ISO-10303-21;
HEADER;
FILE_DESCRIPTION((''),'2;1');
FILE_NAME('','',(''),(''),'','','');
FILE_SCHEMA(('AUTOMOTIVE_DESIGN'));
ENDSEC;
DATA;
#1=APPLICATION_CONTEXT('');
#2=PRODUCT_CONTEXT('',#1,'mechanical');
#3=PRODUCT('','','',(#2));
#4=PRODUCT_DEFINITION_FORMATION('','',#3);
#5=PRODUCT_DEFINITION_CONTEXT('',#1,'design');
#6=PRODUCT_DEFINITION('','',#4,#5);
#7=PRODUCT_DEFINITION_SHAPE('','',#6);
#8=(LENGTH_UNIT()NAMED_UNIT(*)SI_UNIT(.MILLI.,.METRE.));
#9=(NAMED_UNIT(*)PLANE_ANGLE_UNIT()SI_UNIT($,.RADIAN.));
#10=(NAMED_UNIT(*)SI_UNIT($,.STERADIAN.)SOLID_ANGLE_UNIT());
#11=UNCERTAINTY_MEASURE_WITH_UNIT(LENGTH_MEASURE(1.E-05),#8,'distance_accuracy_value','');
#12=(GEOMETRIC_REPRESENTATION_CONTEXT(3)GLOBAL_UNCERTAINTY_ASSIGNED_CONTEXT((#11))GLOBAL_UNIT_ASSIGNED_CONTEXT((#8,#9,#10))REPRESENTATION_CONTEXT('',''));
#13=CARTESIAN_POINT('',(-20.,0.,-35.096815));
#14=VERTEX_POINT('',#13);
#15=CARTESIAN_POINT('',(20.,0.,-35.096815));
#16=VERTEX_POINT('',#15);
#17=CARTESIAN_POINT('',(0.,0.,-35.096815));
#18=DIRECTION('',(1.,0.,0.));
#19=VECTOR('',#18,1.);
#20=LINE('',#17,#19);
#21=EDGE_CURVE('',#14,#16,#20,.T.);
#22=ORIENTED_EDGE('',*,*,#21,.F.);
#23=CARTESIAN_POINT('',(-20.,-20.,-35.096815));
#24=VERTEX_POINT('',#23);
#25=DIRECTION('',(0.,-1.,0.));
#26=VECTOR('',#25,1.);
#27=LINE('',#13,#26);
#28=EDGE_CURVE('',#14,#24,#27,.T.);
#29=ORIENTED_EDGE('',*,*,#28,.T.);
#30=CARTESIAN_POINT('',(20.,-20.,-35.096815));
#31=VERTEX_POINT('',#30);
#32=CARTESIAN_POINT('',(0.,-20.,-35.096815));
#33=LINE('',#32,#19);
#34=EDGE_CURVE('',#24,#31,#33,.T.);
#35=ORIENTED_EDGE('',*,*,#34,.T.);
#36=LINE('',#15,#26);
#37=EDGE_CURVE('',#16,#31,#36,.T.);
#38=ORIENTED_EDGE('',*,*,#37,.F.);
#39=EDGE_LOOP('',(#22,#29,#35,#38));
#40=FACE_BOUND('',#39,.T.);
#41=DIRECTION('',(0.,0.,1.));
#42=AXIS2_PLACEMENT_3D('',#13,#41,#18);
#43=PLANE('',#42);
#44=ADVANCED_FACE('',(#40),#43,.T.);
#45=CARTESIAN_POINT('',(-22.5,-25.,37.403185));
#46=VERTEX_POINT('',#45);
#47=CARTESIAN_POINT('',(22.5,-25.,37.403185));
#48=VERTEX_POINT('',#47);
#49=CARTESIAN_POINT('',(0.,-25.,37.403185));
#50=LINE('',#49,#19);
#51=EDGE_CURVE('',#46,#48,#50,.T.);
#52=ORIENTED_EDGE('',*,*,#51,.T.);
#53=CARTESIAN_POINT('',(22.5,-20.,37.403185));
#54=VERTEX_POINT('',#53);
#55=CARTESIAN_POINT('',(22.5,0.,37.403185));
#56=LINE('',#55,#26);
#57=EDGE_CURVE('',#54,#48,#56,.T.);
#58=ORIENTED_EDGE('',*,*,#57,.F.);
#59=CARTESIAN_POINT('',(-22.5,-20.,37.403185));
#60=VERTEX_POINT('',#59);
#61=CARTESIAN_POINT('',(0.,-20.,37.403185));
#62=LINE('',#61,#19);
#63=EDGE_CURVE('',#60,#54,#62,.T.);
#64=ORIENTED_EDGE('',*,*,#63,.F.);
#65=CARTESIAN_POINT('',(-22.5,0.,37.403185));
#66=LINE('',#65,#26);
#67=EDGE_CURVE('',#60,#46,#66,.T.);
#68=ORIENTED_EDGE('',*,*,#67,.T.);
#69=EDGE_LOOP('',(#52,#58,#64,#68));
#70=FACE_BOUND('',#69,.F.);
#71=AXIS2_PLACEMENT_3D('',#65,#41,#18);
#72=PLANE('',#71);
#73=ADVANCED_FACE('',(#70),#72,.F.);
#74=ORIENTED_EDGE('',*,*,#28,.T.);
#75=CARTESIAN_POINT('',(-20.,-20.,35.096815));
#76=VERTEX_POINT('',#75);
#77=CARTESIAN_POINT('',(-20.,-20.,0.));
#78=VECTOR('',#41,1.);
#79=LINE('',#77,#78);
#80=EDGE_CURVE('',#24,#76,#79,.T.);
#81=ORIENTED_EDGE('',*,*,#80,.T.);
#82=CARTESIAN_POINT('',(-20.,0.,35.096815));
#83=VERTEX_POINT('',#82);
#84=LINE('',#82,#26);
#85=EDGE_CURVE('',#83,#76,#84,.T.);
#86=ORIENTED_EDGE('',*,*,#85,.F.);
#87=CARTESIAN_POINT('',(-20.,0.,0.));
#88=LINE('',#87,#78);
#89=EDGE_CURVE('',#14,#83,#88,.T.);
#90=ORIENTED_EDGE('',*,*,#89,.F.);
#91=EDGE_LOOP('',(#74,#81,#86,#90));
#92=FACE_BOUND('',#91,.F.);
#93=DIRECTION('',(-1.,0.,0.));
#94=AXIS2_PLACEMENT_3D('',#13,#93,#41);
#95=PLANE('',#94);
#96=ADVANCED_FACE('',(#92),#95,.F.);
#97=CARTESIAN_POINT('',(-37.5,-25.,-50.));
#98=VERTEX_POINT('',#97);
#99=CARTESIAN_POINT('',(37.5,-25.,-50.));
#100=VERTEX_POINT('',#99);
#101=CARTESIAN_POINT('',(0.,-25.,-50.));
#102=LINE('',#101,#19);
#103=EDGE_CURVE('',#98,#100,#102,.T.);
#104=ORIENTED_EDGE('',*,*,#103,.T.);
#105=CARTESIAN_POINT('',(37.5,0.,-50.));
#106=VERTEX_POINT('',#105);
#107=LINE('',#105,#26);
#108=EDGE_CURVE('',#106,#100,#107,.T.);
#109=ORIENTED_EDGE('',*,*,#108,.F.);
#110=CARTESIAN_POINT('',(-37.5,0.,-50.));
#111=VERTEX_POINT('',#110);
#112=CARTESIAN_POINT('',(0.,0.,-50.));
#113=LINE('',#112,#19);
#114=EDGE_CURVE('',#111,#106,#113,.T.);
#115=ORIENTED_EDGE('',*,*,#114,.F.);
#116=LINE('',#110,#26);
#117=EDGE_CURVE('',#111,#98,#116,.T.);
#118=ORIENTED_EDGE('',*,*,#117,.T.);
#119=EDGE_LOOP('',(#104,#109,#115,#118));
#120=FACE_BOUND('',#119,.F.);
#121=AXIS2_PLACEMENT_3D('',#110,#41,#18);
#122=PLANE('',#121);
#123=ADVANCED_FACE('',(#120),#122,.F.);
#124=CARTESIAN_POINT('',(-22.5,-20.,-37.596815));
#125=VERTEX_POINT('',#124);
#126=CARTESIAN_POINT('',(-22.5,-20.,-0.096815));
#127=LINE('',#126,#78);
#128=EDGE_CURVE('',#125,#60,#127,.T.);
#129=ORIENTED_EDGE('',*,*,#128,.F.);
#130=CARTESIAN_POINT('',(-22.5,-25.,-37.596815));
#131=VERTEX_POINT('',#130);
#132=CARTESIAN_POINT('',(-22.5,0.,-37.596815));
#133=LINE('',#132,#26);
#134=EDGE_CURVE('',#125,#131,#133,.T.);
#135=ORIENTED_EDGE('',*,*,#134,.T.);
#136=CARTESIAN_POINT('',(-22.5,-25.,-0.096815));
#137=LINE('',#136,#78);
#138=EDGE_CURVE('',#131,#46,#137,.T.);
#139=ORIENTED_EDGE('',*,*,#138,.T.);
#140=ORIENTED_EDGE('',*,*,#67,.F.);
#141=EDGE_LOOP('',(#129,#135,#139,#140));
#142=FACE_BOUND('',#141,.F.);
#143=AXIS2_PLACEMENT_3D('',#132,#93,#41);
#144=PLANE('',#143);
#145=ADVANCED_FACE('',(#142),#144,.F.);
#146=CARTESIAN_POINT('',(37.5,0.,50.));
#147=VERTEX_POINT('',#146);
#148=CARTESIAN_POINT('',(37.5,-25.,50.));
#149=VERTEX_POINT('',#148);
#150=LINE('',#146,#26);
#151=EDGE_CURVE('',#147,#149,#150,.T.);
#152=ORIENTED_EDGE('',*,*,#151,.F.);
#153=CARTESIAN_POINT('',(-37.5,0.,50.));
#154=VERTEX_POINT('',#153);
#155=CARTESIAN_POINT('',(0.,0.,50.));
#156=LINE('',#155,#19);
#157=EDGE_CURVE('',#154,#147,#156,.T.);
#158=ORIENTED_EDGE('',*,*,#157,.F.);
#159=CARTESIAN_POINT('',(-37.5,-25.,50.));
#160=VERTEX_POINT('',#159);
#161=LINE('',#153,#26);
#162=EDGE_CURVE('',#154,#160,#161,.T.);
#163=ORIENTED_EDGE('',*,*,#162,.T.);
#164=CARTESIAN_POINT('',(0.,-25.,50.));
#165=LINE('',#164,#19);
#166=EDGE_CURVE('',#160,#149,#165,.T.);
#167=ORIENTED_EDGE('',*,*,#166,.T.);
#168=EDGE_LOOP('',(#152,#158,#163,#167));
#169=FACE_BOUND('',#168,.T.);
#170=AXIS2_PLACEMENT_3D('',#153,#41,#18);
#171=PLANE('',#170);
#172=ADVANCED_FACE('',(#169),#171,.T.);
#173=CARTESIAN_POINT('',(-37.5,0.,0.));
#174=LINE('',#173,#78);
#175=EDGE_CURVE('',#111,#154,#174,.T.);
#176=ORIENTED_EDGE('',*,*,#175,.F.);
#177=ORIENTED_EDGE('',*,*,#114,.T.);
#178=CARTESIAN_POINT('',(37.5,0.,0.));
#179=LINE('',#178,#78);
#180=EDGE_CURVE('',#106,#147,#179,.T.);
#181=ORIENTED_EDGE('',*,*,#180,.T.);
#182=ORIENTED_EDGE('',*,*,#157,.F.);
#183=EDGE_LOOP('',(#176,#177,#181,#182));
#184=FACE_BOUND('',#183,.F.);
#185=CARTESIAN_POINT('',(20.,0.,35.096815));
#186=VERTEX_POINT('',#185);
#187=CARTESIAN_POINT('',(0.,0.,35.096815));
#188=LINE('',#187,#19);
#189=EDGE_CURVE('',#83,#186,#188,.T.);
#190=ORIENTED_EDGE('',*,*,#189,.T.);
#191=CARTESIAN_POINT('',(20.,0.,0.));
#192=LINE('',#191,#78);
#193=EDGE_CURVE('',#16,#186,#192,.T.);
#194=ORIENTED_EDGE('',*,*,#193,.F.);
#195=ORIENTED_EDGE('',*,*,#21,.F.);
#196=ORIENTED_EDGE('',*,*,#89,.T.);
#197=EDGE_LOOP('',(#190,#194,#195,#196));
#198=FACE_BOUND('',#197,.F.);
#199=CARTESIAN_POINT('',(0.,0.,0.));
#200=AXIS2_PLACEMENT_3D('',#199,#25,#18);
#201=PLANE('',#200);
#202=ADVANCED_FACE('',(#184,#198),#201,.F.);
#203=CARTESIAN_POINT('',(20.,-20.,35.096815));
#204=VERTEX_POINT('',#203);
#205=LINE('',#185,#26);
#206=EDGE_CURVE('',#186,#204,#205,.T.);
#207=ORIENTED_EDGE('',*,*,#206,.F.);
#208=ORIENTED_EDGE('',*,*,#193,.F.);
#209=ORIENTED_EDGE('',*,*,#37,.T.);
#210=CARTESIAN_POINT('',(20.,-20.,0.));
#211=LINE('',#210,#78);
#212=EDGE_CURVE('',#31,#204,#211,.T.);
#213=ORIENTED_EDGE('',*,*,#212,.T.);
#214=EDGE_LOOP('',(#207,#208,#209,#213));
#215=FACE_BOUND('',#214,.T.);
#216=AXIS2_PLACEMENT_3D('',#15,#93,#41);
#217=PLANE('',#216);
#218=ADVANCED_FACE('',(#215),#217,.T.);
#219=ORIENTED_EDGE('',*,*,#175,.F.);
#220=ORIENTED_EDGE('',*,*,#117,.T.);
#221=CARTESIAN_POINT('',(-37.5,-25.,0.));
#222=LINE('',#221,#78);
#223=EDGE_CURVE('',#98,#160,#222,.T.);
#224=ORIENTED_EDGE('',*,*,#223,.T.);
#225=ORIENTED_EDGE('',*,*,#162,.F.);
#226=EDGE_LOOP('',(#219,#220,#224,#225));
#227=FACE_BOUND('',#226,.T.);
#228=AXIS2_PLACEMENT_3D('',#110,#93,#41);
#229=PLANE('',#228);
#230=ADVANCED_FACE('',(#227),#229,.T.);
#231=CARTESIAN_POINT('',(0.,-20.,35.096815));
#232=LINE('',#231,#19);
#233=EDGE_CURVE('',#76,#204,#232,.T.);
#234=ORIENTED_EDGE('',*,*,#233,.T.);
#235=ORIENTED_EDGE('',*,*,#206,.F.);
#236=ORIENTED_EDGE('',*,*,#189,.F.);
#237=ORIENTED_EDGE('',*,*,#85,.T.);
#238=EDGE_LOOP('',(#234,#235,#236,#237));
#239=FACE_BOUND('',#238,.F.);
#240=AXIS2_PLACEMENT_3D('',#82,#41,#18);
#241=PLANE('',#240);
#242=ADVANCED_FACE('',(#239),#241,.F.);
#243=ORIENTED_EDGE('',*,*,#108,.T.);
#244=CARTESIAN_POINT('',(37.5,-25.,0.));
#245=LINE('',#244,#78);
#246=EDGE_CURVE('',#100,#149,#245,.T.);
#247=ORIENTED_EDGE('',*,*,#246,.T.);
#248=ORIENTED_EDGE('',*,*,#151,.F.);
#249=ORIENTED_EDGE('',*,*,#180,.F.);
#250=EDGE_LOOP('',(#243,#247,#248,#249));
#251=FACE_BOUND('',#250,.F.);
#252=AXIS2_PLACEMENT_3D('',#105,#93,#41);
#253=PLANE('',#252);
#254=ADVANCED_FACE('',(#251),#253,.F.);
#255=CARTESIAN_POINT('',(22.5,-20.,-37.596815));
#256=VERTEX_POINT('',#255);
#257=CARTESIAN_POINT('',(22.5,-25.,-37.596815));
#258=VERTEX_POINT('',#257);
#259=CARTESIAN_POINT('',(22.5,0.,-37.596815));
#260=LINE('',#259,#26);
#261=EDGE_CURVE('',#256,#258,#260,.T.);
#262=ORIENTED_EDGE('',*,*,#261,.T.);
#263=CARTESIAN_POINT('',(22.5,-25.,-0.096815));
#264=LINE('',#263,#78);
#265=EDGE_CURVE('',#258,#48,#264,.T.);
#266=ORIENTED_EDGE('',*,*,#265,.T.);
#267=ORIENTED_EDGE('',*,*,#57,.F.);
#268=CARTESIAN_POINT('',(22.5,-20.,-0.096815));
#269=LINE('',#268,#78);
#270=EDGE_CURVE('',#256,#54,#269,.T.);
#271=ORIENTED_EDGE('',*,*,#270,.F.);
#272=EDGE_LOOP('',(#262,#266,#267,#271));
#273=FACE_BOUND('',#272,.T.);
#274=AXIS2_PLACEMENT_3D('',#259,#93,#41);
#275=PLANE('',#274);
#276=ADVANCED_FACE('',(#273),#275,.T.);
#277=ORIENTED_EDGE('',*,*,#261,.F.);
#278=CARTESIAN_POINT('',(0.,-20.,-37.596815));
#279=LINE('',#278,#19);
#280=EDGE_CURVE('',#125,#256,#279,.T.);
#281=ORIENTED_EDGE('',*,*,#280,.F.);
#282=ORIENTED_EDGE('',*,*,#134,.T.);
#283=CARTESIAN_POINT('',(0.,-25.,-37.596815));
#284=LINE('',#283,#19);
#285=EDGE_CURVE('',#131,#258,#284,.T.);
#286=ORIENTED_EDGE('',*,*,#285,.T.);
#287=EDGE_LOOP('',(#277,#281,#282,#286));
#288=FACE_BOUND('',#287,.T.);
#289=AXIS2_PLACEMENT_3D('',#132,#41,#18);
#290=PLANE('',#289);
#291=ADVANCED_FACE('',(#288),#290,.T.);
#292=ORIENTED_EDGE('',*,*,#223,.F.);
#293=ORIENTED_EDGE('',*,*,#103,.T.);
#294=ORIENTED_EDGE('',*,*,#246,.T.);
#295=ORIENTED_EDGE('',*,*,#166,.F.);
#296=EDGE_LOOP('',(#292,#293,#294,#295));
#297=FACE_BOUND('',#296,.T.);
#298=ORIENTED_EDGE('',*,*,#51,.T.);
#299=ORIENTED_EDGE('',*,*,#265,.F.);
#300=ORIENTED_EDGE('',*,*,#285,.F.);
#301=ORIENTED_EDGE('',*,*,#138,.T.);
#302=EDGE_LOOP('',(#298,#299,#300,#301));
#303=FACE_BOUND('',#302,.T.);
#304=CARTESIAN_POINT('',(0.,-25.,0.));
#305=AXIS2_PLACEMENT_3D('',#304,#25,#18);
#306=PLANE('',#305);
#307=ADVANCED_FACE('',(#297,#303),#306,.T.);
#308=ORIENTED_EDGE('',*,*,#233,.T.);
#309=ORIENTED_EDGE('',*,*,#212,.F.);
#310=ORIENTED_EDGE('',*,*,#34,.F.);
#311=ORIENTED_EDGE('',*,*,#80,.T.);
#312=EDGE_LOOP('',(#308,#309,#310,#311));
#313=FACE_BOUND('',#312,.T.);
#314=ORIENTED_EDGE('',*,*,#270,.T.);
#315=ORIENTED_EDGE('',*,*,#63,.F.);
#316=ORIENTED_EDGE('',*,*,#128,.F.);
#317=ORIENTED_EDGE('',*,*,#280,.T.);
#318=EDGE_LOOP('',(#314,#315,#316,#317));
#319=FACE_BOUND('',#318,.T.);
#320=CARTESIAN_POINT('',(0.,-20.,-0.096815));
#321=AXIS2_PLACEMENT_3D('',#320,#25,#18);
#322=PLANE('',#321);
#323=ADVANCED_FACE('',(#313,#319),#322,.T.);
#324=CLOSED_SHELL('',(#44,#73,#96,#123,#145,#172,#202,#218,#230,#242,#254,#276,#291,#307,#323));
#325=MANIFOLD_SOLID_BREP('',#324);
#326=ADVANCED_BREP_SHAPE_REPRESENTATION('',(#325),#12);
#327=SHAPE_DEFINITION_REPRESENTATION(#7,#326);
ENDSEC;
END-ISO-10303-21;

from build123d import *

# Parameters (mm, degrees)
F1_W     = 45
F1_H     = 75
F1_W_2   = 40
F1_H_2   = 70.19363
F3_DEPTH = 20
F2_W     = 75
F2_H     = 100
F2_W_2   = 45
F2_H_2   = 75
F4_DEPTH = 25


with BuildPart() as f3:
    # F1 (on face) → F3 (new body)
    with BuildSketch(Plane.XZ):
        with Locations((0, -0.096815)):
            Rectangle(F1_W, F1_H)
        Rectangle(F1_W_2, F1_H_2, mode=Mode.SUBTRACT)
    extrude(amount=F3_DEPTH)

    # F2 (on face) → F4 (join)
    with BuildSketch(Plane.XZ):
        Rectangle(F2_W, F2_H)
        with Locations((0, -0.096815)):
            Rectangle(F2_W_2, F2_H_2, mode=Mode.SUBTRACT)
    extrude(amount=F4_DEPTH)


solid = f3.part
